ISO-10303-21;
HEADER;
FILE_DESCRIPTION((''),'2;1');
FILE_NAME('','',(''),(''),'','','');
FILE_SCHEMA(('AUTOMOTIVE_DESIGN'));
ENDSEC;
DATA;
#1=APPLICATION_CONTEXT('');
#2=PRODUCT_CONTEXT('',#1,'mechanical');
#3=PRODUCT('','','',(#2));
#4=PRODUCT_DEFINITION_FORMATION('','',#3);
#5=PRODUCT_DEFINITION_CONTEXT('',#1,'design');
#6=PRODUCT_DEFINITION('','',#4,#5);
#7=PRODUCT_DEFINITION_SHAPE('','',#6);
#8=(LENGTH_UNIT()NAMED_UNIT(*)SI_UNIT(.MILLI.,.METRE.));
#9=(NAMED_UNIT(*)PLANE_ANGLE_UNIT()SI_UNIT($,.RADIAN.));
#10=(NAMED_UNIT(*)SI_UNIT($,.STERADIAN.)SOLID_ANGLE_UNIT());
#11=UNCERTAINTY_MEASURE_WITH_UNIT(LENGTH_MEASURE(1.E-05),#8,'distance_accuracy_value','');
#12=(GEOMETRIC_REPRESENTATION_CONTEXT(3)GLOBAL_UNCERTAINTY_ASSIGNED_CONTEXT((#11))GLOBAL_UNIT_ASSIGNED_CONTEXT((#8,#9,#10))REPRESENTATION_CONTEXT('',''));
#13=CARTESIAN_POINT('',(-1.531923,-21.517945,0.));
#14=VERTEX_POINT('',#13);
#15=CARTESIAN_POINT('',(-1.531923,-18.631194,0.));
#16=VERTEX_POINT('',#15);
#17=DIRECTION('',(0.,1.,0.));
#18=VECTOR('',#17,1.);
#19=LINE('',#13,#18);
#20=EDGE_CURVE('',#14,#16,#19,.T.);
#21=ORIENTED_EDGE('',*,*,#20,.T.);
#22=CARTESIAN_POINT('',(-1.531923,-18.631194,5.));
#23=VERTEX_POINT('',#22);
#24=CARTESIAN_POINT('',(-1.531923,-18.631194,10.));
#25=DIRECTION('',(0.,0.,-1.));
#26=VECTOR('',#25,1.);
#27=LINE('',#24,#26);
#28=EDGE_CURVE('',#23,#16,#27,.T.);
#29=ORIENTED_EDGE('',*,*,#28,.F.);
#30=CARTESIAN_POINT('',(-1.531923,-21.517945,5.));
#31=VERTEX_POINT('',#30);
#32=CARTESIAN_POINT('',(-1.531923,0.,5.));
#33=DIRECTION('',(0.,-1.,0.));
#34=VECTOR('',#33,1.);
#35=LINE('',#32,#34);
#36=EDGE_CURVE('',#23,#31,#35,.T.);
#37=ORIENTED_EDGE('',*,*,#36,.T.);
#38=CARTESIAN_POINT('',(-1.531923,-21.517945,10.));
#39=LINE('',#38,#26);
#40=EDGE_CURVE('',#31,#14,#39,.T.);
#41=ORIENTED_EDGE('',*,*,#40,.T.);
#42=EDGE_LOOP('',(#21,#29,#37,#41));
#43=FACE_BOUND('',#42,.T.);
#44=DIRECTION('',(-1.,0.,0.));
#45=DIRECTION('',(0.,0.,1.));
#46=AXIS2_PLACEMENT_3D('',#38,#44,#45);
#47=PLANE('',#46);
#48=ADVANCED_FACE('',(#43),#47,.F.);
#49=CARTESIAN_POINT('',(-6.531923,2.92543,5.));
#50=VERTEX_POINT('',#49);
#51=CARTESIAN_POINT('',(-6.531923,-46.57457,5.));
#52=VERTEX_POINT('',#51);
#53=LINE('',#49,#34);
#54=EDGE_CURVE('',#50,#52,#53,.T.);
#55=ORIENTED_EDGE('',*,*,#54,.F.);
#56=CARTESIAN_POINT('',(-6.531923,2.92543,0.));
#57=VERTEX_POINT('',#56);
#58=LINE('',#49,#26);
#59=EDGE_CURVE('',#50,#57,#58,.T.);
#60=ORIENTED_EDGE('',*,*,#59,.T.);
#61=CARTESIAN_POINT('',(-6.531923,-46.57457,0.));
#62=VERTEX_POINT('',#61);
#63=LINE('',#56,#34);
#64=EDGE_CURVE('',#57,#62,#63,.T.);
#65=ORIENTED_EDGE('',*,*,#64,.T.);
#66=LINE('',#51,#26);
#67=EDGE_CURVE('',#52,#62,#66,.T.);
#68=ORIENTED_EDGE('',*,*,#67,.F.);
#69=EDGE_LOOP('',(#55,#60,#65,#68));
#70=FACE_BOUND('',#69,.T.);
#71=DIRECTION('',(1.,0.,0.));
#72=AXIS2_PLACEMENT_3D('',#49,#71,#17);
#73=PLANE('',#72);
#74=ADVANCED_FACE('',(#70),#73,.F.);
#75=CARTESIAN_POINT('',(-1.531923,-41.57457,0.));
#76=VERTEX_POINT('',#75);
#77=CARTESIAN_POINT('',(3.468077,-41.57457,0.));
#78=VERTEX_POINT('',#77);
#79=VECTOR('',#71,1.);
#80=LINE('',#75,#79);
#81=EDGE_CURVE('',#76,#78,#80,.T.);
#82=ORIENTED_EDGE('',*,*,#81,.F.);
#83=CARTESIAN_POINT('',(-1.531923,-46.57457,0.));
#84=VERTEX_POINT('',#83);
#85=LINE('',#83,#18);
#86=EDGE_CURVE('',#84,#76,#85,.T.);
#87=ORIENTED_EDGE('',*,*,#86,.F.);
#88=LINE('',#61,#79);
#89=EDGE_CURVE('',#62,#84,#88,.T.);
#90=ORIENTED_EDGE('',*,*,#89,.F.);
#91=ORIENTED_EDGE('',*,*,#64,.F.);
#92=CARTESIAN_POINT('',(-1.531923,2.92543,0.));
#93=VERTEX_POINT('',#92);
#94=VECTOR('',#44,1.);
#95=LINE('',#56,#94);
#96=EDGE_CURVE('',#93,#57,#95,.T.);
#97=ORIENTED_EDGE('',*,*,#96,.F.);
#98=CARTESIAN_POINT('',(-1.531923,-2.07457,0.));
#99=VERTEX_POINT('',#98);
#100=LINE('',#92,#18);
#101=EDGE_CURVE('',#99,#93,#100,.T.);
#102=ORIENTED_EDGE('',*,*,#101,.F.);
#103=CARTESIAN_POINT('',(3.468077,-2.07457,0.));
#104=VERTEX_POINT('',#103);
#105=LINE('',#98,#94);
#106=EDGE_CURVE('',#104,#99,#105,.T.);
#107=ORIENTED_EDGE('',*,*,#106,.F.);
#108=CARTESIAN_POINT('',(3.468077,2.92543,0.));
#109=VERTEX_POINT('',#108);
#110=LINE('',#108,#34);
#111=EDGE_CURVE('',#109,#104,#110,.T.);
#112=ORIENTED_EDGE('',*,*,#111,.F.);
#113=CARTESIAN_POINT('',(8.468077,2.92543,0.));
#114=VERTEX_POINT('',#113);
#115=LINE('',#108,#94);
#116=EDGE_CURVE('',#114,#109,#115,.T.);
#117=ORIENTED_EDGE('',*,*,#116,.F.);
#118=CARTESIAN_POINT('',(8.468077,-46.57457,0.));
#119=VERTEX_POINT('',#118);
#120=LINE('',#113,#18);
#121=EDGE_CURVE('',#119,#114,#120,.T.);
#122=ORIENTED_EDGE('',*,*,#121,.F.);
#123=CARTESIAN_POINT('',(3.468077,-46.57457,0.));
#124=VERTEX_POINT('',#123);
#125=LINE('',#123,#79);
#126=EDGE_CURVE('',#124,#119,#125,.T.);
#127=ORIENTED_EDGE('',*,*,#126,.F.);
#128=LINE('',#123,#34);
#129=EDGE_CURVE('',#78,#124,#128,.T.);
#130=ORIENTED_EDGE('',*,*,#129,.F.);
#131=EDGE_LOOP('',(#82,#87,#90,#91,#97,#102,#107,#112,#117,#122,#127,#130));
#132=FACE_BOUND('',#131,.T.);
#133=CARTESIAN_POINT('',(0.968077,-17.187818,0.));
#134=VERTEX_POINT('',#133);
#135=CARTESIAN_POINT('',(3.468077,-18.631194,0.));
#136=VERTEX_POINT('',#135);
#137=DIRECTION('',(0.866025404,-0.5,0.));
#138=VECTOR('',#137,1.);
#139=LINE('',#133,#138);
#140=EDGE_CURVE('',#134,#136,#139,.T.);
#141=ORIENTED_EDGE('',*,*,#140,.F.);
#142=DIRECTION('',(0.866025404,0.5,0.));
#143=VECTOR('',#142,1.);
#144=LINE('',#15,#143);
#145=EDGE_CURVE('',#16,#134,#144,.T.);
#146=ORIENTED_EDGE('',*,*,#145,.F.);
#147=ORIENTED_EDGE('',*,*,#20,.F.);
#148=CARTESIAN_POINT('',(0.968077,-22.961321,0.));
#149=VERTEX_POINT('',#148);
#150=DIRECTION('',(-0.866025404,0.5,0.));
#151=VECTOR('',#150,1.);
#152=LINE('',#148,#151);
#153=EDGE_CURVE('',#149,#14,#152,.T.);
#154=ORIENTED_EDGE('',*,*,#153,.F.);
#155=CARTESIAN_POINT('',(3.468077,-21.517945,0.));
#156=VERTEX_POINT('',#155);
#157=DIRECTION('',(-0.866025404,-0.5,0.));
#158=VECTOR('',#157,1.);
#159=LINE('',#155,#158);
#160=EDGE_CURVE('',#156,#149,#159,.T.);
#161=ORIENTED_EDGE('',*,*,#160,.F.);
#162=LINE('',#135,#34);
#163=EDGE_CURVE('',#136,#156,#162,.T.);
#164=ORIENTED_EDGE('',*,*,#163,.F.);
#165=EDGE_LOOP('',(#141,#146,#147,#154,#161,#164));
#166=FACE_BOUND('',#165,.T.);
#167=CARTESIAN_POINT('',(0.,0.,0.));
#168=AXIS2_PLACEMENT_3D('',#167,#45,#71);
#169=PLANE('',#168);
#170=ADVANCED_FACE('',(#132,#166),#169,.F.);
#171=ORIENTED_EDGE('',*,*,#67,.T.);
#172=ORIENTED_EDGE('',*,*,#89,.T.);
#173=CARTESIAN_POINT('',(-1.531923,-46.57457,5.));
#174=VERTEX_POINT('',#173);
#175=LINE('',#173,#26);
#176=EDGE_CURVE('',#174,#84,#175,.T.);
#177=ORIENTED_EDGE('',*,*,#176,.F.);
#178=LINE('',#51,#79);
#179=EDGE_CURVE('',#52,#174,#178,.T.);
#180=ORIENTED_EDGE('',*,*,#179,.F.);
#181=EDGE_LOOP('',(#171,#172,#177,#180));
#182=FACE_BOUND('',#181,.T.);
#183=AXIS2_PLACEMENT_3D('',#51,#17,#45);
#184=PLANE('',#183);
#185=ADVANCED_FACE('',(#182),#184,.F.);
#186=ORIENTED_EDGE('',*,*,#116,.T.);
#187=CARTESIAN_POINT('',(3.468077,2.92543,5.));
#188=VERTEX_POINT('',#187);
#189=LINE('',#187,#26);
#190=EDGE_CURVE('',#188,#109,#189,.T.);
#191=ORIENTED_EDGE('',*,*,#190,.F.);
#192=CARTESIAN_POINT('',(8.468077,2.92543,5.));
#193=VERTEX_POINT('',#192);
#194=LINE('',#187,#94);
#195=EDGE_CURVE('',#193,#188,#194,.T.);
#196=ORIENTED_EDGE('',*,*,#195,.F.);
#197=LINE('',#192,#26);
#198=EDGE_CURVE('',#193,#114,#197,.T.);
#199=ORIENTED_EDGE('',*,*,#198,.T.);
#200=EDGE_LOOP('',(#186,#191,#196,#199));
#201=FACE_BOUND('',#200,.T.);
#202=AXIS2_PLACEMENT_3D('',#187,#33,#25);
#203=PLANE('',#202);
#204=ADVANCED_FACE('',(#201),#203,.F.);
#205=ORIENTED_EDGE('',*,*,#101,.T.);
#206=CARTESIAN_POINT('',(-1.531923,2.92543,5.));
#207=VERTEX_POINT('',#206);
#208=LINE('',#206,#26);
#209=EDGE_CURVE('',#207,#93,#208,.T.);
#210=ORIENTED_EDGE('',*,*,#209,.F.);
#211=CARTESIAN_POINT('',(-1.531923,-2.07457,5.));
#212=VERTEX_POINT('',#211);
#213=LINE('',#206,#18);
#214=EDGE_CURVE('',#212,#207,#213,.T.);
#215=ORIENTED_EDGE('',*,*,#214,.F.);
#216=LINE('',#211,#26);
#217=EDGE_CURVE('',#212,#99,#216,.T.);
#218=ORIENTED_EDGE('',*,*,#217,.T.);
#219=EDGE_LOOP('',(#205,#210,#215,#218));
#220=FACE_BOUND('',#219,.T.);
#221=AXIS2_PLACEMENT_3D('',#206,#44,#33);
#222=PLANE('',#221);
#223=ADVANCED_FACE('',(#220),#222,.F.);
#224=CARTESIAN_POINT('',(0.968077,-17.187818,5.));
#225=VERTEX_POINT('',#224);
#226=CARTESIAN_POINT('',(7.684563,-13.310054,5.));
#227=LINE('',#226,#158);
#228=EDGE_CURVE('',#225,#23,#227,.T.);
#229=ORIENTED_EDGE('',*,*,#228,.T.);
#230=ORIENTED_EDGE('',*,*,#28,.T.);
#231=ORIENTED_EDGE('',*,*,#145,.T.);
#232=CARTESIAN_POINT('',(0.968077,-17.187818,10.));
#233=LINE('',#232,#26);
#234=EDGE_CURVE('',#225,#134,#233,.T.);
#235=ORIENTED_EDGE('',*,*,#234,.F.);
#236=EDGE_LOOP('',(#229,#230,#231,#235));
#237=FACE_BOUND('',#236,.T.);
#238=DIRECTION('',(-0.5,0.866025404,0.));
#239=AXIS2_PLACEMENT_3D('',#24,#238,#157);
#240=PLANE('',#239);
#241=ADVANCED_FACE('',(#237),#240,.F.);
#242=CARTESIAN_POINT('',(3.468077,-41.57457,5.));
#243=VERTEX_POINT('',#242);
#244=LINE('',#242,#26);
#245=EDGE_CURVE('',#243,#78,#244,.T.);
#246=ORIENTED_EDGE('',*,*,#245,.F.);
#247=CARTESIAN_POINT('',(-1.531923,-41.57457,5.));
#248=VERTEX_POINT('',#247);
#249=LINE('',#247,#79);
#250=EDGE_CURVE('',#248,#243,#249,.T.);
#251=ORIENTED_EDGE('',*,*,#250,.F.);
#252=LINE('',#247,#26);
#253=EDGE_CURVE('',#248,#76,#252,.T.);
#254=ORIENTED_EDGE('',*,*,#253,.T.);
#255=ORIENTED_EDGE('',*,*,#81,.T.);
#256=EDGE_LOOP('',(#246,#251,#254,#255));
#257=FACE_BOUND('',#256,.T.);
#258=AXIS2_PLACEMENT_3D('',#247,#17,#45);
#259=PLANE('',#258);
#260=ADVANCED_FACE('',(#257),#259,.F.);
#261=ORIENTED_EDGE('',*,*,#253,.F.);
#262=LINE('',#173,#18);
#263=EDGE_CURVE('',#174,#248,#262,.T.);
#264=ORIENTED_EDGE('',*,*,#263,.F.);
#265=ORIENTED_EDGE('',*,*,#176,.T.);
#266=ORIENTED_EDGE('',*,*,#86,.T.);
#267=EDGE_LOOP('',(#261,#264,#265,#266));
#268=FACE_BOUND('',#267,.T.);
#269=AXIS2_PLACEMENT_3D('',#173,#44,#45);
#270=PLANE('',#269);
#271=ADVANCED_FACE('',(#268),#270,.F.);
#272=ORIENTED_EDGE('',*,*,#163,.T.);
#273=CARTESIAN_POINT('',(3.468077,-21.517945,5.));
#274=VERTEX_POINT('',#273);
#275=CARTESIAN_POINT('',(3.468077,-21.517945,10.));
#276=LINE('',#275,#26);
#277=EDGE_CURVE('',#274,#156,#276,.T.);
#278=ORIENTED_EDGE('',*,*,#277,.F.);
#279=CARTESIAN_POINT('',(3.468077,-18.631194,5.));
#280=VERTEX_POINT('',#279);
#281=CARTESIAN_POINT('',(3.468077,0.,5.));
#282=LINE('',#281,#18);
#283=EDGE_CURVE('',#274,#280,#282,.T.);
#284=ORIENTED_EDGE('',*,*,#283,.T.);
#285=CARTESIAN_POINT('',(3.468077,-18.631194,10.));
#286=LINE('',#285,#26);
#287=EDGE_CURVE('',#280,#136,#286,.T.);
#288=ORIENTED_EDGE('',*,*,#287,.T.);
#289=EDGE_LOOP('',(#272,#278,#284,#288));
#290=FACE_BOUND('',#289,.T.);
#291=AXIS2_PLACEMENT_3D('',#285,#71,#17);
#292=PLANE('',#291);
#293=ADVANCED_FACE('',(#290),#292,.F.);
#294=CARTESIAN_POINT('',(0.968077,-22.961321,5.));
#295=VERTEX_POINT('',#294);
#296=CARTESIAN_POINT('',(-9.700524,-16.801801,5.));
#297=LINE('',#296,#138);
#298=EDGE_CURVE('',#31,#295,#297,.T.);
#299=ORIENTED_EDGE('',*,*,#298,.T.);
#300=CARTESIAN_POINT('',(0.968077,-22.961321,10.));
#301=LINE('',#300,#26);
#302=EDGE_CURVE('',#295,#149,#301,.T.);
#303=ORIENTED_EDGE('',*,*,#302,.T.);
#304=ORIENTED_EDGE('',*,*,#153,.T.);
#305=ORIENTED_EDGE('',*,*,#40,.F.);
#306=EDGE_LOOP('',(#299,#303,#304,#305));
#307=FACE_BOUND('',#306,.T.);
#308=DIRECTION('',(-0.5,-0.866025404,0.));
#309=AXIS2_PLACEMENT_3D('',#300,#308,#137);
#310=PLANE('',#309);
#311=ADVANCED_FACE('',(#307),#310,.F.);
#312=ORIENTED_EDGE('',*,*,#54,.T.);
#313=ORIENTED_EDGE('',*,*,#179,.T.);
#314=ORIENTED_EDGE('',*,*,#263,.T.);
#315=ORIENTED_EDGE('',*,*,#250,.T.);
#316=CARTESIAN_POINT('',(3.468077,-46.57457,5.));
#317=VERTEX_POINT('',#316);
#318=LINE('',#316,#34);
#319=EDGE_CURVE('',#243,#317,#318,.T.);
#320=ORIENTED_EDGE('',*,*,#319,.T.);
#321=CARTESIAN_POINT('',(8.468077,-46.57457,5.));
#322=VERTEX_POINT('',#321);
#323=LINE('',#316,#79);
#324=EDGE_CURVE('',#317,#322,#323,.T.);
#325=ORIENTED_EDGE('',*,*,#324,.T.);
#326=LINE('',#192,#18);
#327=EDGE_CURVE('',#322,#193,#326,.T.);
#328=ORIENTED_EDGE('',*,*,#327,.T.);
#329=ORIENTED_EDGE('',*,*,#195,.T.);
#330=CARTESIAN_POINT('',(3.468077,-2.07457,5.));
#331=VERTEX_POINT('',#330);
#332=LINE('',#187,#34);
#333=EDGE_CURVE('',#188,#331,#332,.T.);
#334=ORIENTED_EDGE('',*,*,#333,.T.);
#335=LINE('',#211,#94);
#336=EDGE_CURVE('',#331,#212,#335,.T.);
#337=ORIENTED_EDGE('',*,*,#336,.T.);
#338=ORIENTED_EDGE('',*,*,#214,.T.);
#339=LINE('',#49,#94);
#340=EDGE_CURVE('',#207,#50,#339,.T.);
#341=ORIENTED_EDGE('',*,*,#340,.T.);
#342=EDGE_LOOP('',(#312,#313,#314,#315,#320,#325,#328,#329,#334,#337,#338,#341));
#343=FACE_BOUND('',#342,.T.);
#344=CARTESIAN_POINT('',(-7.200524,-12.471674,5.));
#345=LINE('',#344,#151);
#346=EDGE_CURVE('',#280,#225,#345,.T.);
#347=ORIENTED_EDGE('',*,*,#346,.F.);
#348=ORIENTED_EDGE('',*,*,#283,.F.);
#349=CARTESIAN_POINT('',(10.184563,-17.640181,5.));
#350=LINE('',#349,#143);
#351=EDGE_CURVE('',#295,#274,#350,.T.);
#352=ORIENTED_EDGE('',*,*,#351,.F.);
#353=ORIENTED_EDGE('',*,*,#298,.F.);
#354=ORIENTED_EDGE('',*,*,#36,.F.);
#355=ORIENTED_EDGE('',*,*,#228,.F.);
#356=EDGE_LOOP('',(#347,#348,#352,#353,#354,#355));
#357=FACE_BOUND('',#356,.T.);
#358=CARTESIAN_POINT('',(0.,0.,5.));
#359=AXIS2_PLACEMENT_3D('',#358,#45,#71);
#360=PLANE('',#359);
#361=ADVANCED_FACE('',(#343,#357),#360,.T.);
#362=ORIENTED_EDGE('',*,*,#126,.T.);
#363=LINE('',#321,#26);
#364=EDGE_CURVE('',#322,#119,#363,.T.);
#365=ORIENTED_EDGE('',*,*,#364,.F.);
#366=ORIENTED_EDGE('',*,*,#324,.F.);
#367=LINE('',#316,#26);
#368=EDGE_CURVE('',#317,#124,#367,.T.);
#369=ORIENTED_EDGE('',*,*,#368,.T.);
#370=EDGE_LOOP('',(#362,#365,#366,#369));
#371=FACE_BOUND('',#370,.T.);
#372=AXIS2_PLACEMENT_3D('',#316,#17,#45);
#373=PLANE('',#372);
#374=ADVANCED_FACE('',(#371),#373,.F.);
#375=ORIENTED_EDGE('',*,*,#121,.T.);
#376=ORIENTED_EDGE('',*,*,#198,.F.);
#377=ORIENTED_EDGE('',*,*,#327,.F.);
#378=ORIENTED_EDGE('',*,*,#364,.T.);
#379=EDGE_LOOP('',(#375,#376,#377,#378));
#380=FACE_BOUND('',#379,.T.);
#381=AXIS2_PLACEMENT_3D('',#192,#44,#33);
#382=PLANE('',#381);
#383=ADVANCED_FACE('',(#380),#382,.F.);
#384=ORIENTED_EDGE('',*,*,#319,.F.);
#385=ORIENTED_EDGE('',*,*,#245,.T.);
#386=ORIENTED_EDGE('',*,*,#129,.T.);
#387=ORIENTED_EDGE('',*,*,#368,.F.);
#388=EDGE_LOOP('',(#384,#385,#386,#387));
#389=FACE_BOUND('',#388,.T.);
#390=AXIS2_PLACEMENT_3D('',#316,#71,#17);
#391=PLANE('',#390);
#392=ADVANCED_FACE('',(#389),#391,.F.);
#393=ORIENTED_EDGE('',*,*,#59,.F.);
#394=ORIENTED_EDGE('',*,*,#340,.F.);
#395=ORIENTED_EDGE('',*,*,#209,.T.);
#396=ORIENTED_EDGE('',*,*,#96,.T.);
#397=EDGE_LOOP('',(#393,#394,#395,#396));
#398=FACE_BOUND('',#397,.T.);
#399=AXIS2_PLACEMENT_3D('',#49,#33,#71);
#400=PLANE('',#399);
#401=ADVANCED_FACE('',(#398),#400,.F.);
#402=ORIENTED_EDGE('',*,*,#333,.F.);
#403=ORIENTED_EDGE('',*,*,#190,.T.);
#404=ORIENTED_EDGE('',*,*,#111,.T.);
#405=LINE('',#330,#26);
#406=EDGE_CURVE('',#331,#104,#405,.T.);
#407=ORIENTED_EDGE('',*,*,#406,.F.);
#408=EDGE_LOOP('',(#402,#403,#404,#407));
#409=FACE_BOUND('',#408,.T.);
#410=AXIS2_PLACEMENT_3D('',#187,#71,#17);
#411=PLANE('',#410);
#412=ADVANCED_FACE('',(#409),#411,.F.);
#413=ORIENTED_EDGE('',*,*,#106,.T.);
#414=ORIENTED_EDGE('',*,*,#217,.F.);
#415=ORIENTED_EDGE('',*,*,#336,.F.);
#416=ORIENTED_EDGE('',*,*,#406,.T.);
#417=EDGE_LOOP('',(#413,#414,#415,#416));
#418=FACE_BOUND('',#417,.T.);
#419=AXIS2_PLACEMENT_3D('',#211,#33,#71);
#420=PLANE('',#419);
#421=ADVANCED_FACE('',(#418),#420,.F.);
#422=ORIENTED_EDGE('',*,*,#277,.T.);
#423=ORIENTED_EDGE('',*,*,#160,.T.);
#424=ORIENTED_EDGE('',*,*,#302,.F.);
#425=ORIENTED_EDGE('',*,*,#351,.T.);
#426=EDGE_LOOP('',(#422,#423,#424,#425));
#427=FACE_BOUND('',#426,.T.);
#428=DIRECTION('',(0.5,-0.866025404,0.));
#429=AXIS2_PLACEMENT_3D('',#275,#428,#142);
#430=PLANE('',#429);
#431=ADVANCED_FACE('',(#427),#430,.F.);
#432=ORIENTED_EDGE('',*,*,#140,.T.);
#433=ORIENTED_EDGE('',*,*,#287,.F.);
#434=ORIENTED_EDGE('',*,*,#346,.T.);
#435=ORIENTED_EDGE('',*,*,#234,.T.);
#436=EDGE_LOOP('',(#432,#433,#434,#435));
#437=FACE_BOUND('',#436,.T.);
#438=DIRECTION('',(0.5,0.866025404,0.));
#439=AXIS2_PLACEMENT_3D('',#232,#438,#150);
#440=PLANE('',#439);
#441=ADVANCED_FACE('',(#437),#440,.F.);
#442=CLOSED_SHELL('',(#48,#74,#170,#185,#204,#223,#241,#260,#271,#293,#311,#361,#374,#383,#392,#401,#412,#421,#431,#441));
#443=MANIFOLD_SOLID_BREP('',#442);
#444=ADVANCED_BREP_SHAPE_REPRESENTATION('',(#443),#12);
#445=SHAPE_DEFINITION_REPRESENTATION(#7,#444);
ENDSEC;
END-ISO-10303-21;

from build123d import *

# Parameters (mm, degrees)
BOSS_EXTRU_1_DEPTH = 5
CUT_EXTRUDE1_DEPTH = 10


with BuildPart() as part:
    # Esquisse1 → Boss.-Extru.1 (new body)
    with BuildSketch(Plane.XY):
        Polygon((3.468077367, 2.92543021), (8.468077367, 2.92543021), (8.468077367, -46.57456979), (3.468077367, -46.57456979), (3.468077367, -41.57456979), (-1.531922633, -41.57456979), (-1.531922633, -46.57456979), (-6.531922633, -46.57456979), (-6.531922633, 2.92543021), (-1.531922633, 2.92543021), (-1.531922633, -2.07456979), (3.468077367, -2.07456979), align=None)
    extrude(amount=BOSS_EXTRU_1_DEPTH)

    # Esquisse2 → Cut-Extrude1 (cut)
    with BuildSketch(Plane(origin=(0, 0, 0), x_dir=(-1, 0, 0), z_dir=(0, 0, -1))):
        Polygon((-3.468077367, -21.517945463), (-0.968077367, -22.961321136), (1.531922633, -21.517945463), (1.531922633, -18.631194117), (-0.968077367, -17.187818444), (-3.468077367, -18.631194117), align=None)
    extrude(amount=-CUT_EXTRUDE1_DEPTH, mode=Mode.SUBTRACT)


solid = part.part
